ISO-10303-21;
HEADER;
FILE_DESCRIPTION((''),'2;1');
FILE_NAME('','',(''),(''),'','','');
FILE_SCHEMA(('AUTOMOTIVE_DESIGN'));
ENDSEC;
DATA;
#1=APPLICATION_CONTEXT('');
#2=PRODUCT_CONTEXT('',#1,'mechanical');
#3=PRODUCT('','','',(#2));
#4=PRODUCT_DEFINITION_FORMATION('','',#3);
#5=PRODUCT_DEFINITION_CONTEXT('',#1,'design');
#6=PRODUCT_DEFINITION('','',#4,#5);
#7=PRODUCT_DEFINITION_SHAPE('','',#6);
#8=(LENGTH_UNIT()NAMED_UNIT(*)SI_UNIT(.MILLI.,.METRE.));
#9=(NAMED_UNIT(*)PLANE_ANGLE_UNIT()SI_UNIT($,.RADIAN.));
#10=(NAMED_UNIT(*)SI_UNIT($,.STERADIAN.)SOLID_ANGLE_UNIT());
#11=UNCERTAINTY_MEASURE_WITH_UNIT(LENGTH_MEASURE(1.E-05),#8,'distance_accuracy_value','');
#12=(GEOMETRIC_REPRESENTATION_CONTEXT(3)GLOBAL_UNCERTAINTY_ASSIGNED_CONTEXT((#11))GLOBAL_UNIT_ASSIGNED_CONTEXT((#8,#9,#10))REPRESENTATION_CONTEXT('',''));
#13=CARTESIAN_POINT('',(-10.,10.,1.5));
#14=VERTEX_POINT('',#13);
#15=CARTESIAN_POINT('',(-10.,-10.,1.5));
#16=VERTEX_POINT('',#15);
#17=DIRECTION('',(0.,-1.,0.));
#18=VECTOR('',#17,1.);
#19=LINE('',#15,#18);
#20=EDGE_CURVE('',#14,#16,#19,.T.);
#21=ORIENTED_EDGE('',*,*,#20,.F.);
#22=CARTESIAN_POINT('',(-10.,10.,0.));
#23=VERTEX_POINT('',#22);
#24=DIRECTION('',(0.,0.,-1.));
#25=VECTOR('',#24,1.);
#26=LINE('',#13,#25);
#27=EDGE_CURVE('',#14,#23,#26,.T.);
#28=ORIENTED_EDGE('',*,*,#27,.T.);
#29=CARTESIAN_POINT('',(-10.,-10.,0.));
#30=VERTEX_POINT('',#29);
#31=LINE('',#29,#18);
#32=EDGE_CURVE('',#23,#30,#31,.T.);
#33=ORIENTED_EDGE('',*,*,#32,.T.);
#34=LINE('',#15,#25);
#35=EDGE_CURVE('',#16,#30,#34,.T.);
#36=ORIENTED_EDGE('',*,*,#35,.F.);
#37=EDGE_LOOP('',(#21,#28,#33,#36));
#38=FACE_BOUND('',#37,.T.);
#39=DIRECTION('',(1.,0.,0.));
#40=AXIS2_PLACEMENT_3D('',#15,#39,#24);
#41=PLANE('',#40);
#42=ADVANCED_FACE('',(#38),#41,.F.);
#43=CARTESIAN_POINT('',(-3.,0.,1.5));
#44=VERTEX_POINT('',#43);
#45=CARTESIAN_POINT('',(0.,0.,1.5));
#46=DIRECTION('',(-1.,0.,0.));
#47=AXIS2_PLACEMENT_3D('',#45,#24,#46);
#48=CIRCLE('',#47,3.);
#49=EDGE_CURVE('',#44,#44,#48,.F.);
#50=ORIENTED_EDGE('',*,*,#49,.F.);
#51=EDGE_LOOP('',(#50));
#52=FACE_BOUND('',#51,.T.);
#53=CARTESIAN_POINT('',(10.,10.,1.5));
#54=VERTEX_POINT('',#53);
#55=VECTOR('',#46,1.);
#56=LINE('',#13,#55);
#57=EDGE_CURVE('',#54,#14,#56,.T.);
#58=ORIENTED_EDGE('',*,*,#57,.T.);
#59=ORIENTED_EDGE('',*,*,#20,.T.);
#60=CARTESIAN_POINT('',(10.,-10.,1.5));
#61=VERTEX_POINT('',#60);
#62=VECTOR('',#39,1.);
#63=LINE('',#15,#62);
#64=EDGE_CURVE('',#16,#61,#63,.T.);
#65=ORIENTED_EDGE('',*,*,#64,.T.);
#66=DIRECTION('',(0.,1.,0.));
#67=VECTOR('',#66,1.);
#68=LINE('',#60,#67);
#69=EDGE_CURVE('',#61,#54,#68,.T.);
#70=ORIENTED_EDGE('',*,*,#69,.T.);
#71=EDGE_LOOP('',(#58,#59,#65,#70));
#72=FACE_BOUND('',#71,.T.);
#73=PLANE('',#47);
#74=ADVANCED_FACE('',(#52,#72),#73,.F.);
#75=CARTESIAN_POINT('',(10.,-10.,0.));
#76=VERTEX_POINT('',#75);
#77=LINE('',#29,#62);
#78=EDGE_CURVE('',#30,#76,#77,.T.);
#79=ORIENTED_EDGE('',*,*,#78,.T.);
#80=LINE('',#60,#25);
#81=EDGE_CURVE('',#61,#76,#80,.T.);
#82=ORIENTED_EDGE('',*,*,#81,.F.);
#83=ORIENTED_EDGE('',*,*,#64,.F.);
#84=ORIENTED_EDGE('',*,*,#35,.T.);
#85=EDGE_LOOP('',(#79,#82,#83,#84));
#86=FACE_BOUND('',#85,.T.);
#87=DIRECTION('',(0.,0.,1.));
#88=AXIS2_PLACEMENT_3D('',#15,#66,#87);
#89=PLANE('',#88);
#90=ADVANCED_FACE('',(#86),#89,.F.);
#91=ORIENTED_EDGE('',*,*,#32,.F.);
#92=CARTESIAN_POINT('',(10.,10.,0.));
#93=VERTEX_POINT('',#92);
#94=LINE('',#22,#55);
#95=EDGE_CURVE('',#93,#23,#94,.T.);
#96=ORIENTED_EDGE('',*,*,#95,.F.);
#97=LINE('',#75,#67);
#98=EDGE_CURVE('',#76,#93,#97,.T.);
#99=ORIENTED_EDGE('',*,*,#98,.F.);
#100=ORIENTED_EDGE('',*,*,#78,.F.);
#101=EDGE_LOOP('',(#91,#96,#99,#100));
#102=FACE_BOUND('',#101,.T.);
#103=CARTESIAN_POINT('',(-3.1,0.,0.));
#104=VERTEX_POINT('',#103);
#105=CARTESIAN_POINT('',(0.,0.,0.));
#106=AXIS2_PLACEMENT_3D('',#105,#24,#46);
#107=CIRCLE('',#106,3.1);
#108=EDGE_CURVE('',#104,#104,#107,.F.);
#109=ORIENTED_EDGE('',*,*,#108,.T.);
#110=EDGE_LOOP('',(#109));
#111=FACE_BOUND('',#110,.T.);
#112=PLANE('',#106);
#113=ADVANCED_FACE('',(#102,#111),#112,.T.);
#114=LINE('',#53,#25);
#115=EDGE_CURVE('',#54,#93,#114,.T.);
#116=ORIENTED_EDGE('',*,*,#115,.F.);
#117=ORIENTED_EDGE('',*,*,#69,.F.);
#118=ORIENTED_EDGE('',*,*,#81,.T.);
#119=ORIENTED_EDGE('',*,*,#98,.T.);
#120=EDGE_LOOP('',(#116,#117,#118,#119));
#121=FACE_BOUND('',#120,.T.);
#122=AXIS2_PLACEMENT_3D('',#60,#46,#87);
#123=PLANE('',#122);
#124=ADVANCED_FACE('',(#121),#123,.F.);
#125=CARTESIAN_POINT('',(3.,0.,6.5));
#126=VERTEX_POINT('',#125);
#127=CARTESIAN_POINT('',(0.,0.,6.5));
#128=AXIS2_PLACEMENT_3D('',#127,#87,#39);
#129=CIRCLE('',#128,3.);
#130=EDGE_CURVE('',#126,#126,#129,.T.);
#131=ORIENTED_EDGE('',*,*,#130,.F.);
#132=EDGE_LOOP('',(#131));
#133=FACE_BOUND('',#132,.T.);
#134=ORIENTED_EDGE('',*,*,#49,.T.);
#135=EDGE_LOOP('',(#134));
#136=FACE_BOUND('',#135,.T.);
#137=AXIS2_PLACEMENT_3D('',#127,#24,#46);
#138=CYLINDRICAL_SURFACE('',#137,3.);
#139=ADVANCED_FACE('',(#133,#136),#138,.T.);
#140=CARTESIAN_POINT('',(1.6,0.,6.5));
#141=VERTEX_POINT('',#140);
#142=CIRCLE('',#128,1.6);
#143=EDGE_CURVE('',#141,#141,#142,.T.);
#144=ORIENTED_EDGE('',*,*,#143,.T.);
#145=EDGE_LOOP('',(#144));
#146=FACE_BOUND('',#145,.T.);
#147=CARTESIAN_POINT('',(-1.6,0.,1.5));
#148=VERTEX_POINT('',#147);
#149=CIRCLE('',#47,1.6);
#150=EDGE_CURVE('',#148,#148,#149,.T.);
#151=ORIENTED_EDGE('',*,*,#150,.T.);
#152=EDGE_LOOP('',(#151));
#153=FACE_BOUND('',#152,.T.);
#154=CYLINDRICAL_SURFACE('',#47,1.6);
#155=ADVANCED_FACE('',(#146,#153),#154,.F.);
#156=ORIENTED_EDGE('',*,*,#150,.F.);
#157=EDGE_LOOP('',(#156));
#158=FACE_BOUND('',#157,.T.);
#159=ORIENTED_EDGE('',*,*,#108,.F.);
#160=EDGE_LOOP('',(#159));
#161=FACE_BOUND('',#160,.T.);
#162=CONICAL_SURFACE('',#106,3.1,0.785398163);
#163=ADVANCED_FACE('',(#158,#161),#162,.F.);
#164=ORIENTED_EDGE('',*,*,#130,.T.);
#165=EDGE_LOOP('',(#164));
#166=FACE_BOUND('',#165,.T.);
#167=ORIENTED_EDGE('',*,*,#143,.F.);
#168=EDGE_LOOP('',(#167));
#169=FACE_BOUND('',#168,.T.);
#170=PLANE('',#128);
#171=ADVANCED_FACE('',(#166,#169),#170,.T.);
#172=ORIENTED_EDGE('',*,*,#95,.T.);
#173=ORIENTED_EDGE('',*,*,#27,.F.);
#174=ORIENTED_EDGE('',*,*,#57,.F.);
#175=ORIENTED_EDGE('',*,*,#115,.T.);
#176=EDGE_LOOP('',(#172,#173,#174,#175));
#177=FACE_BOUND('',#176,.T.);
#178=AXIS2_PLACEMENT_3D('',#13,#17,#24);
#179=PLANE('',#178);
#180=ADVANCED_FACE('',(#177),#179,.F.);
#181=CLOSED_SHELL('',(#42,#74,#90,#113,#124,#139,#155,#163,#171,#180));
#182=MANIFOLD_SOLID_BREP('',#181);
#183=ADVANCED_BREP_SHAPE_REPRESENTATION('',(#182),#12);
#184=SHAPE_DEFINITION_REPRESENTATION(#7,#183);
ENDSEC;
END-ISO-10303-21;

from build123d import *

# Parameters (mm, degrees)
SKETCH_2_W        = 20
SKETCH_2_H        = 20
SKETCH_2_R        = 1.6
EXTRUDE_433_DEPTH = 1.5
SKETCH_3_R        = 3
SKETCH_3_R_2      = 1.6
EXTRUDE_659_DEPTH = 5
CHAMFER_1_SIZE    = 1.5


with BuildPart() as part:
    # Эскиз2 → Extrude 433 (new body)
    with BuildSketch(Plane.XY):
        Rectangle(SKETCH_2_W, SKETCH_2_H)
        Circle(SKETCH_2_R, mode=Mode.SUBTRACT)
    extrude(amount=EXTRUDE_433_DEPTH)

    # Эскиз3 → Extrude 659 (add)
    with BuildSketch(Plane.XY.offset(1.5)):
        with Locations(Location((0, 0, 0), (0, 0, 180))):
            Circle(SKETCH_3_R)
        Circle(SKETCH_3_R_2, mode=Mode.SUBTRACT)
    extrude(amount=EXTRUDE_659_DEPTH)

    # Фаска1
    chamfer_1_edges = [part.edges().sort_by_distance(p)[0] for p in [
        (-1.6, 0, 0),
    ]]
    chamfer(chamfer_1_edges, length=CHAMFER_1_SIZE)


solid = part.part
